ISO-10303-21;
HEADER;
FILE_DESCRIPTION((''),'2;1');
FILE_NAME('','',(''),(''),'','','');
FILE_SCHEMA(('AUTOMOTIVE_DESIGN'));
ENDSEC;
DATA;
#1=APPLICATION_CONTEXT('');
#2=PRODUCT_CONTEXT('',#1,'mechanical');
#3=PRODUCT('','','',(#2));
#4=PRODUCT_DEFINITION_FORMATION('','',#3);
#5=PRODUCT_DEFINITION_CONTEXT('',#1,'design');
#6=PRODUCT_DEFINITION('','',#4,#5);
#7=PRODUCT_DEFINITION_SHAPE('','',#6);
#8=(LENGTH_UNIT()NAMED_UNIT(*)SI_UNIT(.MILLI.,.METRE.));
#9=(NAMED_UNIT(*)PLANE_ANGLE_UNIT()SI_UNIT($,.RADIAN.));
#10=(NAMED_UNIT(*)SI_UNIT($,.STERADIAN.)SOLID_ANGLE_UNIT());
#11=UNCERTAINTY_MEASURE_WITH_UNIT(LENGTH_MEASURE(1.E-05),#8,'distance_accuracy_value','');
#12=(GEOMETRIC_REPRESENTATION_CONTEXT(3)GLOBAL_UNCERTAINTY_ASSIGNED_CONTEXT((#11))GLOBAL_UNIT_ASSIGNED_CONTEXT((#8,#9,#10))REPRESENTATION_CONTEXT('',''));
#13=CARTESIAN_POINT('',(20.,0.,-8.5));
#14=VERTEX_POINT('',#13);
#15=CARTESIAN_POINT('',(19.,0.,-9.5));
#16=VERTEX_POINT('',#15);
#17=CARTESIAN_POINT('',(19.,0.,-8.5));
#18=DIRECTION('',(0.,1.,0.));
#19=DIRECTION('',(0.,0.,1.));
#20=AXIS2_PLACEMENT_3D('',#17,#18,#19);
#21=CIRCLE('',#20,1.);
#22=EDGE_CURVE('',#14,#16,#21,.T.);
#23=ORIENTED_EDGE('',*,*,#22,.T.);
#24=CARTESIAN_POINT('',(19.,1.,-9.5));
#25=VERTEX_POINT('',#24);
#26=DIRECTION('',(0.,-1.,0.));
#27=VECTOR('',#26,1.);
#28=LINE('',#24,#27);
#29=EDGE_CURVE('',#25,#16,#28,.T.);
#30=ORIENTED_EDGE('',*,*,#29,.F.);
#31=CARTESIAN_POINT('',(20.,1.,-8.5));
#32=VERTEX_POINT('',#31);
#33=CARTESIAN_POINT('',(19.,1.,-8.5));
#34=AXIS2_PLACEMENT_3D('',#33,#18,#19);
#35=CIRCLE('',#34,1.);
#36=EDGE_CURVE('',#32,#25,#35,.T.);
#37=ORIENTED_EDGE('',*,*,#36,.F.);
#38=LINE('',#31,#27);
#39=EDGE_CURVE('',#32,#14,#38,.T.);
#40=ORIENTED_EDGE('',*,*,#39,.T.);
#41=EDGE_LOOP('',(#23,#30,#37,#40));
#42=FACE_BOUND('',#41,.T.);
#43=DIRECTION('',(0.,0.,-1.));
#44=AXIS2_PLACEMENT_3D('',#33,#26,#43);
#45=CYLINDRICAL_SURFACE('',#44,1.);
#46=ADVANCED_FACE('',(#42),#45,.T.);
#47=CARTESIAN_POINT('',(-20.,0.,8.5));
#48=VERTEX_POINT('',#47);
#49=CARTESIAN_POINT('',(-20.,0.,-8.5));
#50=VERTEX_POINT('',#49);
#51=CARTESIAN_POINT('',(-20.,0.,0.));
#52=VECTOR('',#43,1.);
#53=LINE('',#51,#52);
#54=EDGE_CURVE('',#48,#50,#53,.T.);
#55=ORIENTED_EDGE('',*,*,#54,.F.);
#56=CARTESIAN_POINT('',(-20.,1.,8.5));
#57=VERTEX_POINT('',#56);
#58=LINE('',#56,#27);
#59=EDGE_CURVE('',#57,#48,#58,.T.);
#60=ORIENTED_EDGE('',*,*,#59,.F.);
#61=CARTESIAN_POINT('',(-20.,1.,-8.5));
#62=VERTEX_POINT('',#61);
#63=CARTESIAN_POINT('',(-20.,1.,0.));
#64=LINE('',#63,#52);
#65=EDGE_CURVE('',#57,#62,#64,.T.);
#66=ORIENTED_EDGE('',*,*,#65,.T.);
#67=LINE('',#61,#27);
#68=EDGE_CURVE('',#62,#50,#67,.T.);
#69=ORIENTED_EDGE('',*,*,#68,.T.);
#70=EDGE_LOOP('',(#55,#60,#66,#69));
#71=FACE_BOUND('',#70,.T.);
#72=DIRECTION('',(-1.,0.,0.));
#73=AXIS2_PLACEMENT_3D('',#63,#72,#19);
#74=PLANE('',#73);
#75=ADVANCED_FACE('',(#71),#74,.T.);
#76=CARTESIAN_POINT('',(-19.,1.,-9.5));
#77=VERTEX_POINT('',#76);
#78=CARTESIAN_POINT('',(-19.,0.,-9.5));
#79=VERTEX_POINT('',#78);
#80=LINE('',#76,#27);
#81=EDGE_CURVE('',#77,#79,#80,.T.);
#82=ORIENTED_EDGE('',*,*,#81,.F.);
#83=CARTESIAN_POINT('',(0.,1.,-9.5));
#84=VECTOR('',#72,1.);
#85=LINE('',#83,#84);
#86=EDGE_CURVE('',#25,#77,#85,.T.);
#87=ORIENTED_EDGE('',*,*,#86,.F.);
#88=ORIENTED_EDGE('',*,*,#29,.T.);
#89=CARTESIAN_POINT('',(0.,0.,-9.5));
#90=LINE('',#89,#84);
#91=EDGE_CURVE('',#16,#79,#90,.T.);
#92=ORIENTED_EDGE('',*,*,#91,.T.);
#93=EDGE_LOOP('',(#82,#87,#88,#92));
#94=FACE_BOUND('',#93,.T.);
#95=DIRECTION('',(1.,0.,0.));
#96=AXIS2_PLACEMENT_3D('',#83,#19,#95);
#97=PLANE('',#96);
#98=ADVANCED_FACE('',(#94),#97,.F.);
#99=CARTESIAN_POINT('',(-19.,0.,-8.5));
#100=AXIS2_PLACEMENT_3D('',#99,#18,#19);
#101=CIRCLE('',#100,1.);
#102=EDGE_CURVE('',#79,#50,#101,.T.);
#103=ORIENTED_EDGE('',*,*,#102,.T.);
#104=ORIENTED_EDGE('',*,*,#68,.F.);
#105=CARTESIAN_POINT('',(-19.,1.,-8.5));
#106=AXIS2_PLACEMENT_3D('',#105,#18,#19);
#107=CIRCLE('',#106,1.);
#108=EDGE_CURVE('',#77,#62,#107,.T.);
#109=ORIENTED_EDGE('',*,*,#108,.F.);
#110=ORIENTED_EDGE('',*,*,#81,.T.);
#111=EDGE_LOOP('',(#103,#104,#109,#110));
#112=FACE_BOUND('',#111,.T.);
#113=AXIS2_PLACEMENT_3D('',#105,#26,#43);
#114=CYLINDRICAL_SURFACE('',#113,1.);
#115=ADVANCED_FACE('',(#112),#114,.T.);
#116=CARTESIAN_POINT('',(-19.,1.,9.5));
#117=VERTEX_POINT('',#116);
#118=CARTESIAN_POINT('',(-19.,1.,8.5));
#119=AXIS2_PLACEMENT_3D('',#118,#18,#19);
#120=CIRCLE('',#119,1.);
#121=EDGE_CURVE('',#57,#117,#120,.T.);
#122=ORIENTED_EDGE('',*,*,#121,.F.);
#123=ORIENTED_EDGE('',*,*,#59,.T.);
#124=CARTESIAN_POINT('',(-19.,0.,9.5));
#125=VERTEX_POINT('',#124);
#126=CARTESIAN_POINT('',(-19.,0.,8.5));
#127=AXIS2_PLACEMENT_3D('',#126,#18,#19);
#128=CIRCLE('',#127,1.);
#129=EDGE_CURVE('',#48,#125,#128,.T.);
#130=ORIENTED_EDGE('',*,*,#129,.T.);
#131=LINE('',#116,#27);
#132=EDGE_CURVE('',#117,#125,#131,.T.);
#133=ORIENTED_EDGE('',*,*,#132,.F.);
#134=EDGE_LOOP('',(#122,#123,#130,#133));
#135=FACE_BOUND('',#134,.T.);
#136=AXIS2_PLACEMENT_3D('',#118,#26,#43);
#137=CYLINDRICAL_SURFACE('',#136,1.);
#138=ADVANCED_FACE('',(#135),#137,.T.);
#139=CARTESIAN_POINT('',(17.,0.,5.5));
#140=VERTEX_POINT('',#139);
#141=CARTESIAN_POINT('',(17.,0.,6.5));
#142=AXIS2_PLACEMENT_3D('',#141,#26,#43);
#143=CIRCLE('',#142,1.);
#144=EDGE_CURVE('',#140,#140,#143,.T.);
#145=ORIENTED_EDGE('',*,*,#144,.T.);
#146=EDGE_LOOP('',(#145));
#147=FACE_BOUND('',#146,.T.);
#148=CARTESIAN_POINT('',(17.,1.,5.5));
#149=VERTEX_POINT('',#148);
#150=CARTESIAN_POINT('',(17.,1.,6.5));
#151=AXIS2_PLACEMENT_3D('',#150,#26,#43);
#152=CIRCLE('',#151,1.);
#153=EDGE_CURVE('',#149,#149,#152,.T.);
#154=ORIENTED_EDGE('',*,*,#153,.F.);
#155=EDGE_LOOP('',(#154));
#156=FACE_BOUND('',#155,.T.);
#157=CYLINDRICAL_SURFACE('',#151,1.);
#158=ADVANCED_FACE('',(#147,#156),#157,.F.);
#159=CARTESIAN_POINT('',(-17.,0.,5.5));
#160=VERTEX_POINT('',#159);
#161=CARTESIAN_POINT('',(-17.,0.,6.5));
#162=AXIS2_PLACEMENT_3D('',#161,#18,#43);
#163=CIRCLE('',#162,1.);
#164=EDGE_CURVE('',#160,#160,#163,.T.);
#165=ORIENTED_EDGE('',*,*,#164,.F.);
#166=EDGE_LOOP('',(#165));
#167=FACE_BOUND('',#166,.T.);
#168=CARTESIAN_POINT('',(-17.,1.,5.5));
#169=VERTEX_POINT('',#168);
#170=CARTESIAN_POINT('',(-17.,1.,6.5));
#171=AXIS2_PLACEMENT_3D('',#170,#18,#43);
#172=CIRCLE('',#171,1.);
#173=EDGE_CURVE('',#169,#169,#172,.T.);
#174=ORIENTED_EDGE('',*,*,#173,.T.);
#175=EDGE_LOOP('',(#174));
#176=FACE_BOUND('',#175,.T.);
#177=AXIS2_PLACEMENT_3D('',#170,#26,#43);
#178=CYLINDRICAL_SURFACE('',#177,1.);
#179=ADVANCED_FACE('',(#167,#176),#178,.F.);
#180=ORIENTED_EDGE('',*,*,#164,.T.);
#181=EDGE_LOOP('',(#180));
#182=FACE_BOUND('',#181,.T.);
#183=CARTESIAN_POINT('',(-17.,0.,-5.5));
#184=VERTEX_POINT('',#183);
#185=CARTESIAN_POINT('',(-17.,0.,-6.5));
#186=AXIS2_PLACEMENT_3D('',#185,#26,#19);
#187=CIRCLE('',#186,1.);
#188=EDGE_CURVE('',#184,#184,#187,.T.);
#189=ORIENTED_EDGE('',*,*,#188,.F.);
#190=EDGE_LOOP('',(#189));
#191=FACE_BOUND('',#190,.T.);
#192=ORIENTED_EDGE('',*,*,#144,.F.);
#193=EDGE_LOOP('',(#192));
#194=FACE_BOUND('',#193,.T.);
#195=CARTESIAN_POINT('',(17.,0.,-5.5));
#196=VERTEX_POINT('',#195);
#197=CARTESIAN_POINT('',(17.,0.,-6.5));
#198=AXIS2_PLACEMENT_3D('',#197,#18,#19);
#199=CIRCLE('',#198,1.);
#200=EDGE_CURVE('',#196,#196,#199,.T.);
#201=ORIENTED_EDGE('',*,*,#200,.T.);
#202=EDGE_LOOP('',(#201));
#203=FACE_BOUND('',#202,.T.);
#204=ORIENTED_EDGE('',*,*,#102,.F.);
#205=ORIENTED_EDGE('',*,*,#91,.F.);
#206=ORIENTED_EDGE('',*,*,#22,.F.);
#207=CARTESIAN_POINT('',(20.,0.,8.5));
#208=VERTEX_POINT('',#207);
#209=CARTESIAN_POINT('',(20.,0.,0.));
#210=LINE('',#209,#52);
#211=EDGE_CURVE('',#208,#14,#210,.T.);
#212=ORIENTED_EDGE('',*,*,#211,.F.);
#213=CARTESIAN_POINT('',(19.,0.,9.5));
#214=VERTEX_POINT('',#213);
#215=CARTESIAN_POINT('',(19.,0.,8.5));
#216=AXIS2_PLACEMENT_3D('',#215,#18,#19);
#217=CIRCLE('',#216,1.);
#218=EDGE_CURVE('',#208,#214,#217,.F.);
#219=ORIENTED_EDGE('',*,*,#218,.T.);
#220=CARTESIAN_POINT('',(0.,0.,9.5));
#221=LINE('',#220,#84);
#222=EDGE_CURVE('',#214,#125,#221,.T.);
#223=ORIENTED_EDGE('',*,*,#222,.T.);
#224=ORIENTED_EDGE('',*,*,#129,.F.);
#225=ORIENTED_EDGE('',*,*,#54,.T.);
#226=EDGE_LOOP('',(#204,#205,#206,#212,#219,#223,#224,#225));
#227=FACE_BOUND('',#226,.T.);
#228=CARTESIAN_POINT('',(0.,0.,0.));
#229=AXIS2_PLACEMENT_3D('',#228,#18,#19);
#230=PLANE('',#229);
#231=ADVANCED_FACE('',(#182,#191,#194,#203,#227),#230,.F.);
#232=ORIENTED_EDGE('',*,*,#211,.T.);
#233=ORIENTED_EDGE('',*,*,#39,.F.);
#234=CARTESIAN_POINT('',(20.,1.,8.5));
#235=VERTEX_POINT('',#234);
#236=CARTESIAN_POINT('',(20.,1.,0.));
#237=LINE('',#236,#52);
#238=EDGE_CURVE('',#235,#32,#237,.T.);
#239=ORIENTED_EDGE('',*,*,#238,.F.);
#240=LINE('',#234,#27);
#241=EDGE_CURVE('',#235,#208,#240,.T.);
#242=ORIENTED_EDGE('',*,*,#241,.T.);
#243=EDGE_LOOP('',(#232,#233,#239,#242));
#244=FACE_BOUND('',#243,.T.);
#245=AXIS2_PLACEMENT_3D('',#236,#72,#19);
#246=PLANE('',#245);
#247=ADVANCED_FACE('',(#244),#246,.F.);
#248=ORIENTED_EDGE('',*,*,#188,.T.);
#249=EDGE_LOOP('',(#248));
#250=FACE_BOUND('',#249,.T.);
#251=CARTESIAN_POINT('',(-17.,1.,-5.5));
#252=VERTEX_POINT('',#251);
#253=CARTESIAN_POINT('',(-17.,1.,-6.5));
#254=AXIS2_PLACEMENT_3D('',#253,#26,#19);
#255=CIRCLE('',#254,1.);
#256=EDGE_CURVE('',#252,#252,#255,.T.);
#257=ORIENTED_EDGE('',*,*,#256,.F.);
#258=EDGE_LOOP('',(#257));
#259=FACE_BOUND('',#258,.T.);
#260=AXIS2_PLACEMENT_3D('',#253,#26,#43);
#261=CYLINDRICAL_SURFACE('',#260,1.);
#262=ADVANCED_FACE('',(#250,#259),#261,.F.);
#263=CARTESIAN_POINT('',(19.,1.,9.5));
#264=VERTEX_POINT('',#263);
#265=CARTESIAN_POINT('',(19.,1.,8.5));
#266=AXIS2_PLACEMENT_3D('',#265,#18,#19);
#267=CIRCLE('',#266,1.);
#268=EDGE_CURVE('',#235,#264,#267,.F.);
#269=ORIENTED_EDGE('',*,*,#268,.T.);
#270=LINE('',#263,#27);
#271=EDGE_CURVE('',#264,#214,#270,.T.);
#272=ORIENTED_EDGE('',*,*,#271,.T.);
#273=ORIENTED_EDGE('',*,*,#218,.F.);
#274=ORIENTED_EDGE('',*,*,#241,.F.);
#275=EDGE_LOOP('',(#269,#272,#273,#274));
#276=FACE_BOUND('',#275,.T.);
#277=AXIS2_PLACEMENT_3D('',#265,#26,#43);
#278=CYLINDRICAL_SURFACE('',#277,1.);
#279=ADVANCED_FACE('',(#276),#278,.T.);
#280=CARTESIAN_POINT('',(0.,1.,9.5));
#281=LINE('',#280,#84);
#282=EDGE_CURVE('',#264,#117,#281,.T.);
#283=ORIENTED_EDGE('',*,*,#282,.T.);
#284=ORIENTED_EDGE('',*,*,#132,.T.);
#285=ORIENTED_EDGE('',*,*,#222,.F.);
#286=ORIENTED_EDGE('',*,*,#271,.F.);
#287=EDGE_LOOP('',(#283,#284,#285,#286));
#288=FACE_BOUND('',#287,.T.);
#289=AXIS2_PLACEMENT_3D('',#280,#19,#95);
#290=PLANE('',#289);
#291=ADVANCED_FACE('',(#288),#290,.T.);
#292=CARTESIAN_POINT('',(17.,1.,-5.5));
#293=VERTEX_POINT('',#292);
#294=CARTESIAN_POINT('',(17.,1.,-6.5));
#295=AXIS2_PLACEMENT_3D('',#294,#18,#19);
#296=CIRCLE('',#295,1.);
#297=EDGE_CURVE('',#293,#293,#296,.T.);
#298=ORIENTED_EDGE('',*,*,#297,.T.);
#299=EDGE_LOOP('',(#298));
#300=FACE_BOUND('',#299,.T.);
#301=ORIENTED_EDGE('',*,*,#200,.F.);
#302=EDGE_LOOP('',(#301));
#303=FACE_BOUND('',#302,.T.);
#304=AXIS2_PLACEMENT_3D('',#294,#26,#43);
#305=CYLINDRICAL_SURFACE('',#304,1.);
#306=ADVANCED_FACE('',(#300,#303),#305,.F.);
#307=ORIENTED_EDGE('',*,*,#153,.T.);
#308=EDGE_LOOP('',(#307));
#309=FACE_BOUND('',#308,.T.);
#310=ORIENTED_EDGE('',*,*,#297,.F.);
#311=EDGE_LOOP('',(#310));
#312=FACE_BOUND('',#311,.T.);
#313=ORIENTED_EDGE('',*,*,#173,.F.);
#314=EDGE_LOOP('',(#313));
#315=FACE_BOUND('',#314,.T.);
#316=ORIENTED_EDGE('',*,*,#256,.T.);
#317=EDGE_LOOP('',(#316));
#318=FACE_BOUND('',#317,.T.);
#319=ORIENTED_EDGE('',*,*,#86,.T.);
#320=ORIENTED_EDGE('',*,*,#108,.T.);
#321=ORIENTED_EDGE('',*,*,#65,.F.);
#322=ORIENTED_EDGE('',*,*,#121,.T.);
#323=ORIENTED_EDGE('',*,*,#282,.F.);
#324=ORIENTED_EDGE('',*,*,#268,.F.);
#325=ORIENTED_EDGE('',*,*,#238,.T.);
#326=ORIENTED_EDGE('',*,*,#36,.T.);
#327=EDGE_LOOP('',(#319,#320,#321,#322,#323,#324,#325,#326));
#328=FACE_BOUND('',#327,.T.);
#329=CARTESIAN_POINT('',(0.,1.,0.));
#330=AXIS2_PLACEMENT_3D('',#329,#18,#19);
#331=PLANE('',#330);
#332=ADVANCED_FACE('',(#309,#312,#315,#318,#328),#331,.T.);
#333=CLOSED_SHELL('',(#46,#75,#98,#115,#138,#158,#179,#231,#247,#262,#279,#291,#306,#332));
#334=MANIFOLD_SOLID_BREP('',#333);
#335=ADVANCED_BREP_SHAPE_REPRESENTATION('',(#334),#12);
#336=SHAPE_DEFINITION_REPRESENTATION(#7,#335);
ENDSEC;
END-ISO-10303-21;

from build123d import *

# Parameters (mm, degrees)
SALIENTE_EXTRUIR1_DEPTH   = 1
CROQUIS2_R                = 1
CORTAR_EXTRUIR1_DEPTH     = 23.164160259
SIMETR_A2_COPY_1_SKETCH_R = 1
SIMETR_A2_COPY_1_DEPTH    = 23.164160259


with BuildPart() as part:
    # Croquis1 → Saliente-Extruir1 (new body)
    with BuildSketch(Plane(origin=(0, 0, 0), x_dir=(1, 0, 0), z_dir=(0, 1, 0))):
        with BuildLine():
            Line((-19, -9.5), (19, -9.5))
            ThreePointArc((19, -9.5), (19.707106781, -9.207106781), (20, -8.5))
            Line((20, -8.5), (20, 8.5))
            ThreePointArc((20, 8.5), (19.707106781, 9.207106781), (19, 9.5))
            Line((19, 9.5), (-19, 9.5))
            ThreePointArc((-19, 9.5), (-19.707106781, 9.207106781), (-20, 8.5))
            Line((-20, 8.5), (-20, -8.5))
            ThreePointArc((-20, -8.5), (-19.707106781, -9.207106781), (-19, -9.5))
        make_face()
    extrude(amount=SALIENTE_EXTRUIR1_DEPTH)

    # Croquis2 → Cortar-Extruir1 (cut, through all)
    with BuildSketch(Plane.XZ):
        with Locations((17, 6.5)):
            Circle(CROQUIS2_R)
    cortar_extruir1 = extrude(amount=-CORTAR_EXTRUIR1_DEPTH, mode=Mode.SUBTRACT)

    # Simetría1: Cortar-Extruir1 across plane
    add(cortar_extruir1.mirror(Plane(origin=(0, 0, 0), x_dir=(1, 0, 0), z_dir=(0, 0, -1))), mode=Mode.SUBTRACT)

    # Simetría2: Cortar-Extruir1 across plane
    add(cortar_extruir1.mirror(Plane(origin=(0, 0, 0), x_dir=(0, 0, 1), z_dir=(1, 0, 0))), mode=Mode.SUBTRACT)

    # Simetría2 copy 1 sketch → Simetría2 copy 1 (cut, through all)
    with BuildSketch(Plane(origin=(0, 0, 0), x_dir=(-1, 0, 0), z_dir=(0, -1, 0))):
        with Locations((17, 6.5)):
            Circle(SIMETR_A2_COPY_1_SKETCH_R)
    extrude(amount=-SIMETR_A2_COPY_1_DEPTH, mode=Mode.SUBTRACT)


solid = part.part
